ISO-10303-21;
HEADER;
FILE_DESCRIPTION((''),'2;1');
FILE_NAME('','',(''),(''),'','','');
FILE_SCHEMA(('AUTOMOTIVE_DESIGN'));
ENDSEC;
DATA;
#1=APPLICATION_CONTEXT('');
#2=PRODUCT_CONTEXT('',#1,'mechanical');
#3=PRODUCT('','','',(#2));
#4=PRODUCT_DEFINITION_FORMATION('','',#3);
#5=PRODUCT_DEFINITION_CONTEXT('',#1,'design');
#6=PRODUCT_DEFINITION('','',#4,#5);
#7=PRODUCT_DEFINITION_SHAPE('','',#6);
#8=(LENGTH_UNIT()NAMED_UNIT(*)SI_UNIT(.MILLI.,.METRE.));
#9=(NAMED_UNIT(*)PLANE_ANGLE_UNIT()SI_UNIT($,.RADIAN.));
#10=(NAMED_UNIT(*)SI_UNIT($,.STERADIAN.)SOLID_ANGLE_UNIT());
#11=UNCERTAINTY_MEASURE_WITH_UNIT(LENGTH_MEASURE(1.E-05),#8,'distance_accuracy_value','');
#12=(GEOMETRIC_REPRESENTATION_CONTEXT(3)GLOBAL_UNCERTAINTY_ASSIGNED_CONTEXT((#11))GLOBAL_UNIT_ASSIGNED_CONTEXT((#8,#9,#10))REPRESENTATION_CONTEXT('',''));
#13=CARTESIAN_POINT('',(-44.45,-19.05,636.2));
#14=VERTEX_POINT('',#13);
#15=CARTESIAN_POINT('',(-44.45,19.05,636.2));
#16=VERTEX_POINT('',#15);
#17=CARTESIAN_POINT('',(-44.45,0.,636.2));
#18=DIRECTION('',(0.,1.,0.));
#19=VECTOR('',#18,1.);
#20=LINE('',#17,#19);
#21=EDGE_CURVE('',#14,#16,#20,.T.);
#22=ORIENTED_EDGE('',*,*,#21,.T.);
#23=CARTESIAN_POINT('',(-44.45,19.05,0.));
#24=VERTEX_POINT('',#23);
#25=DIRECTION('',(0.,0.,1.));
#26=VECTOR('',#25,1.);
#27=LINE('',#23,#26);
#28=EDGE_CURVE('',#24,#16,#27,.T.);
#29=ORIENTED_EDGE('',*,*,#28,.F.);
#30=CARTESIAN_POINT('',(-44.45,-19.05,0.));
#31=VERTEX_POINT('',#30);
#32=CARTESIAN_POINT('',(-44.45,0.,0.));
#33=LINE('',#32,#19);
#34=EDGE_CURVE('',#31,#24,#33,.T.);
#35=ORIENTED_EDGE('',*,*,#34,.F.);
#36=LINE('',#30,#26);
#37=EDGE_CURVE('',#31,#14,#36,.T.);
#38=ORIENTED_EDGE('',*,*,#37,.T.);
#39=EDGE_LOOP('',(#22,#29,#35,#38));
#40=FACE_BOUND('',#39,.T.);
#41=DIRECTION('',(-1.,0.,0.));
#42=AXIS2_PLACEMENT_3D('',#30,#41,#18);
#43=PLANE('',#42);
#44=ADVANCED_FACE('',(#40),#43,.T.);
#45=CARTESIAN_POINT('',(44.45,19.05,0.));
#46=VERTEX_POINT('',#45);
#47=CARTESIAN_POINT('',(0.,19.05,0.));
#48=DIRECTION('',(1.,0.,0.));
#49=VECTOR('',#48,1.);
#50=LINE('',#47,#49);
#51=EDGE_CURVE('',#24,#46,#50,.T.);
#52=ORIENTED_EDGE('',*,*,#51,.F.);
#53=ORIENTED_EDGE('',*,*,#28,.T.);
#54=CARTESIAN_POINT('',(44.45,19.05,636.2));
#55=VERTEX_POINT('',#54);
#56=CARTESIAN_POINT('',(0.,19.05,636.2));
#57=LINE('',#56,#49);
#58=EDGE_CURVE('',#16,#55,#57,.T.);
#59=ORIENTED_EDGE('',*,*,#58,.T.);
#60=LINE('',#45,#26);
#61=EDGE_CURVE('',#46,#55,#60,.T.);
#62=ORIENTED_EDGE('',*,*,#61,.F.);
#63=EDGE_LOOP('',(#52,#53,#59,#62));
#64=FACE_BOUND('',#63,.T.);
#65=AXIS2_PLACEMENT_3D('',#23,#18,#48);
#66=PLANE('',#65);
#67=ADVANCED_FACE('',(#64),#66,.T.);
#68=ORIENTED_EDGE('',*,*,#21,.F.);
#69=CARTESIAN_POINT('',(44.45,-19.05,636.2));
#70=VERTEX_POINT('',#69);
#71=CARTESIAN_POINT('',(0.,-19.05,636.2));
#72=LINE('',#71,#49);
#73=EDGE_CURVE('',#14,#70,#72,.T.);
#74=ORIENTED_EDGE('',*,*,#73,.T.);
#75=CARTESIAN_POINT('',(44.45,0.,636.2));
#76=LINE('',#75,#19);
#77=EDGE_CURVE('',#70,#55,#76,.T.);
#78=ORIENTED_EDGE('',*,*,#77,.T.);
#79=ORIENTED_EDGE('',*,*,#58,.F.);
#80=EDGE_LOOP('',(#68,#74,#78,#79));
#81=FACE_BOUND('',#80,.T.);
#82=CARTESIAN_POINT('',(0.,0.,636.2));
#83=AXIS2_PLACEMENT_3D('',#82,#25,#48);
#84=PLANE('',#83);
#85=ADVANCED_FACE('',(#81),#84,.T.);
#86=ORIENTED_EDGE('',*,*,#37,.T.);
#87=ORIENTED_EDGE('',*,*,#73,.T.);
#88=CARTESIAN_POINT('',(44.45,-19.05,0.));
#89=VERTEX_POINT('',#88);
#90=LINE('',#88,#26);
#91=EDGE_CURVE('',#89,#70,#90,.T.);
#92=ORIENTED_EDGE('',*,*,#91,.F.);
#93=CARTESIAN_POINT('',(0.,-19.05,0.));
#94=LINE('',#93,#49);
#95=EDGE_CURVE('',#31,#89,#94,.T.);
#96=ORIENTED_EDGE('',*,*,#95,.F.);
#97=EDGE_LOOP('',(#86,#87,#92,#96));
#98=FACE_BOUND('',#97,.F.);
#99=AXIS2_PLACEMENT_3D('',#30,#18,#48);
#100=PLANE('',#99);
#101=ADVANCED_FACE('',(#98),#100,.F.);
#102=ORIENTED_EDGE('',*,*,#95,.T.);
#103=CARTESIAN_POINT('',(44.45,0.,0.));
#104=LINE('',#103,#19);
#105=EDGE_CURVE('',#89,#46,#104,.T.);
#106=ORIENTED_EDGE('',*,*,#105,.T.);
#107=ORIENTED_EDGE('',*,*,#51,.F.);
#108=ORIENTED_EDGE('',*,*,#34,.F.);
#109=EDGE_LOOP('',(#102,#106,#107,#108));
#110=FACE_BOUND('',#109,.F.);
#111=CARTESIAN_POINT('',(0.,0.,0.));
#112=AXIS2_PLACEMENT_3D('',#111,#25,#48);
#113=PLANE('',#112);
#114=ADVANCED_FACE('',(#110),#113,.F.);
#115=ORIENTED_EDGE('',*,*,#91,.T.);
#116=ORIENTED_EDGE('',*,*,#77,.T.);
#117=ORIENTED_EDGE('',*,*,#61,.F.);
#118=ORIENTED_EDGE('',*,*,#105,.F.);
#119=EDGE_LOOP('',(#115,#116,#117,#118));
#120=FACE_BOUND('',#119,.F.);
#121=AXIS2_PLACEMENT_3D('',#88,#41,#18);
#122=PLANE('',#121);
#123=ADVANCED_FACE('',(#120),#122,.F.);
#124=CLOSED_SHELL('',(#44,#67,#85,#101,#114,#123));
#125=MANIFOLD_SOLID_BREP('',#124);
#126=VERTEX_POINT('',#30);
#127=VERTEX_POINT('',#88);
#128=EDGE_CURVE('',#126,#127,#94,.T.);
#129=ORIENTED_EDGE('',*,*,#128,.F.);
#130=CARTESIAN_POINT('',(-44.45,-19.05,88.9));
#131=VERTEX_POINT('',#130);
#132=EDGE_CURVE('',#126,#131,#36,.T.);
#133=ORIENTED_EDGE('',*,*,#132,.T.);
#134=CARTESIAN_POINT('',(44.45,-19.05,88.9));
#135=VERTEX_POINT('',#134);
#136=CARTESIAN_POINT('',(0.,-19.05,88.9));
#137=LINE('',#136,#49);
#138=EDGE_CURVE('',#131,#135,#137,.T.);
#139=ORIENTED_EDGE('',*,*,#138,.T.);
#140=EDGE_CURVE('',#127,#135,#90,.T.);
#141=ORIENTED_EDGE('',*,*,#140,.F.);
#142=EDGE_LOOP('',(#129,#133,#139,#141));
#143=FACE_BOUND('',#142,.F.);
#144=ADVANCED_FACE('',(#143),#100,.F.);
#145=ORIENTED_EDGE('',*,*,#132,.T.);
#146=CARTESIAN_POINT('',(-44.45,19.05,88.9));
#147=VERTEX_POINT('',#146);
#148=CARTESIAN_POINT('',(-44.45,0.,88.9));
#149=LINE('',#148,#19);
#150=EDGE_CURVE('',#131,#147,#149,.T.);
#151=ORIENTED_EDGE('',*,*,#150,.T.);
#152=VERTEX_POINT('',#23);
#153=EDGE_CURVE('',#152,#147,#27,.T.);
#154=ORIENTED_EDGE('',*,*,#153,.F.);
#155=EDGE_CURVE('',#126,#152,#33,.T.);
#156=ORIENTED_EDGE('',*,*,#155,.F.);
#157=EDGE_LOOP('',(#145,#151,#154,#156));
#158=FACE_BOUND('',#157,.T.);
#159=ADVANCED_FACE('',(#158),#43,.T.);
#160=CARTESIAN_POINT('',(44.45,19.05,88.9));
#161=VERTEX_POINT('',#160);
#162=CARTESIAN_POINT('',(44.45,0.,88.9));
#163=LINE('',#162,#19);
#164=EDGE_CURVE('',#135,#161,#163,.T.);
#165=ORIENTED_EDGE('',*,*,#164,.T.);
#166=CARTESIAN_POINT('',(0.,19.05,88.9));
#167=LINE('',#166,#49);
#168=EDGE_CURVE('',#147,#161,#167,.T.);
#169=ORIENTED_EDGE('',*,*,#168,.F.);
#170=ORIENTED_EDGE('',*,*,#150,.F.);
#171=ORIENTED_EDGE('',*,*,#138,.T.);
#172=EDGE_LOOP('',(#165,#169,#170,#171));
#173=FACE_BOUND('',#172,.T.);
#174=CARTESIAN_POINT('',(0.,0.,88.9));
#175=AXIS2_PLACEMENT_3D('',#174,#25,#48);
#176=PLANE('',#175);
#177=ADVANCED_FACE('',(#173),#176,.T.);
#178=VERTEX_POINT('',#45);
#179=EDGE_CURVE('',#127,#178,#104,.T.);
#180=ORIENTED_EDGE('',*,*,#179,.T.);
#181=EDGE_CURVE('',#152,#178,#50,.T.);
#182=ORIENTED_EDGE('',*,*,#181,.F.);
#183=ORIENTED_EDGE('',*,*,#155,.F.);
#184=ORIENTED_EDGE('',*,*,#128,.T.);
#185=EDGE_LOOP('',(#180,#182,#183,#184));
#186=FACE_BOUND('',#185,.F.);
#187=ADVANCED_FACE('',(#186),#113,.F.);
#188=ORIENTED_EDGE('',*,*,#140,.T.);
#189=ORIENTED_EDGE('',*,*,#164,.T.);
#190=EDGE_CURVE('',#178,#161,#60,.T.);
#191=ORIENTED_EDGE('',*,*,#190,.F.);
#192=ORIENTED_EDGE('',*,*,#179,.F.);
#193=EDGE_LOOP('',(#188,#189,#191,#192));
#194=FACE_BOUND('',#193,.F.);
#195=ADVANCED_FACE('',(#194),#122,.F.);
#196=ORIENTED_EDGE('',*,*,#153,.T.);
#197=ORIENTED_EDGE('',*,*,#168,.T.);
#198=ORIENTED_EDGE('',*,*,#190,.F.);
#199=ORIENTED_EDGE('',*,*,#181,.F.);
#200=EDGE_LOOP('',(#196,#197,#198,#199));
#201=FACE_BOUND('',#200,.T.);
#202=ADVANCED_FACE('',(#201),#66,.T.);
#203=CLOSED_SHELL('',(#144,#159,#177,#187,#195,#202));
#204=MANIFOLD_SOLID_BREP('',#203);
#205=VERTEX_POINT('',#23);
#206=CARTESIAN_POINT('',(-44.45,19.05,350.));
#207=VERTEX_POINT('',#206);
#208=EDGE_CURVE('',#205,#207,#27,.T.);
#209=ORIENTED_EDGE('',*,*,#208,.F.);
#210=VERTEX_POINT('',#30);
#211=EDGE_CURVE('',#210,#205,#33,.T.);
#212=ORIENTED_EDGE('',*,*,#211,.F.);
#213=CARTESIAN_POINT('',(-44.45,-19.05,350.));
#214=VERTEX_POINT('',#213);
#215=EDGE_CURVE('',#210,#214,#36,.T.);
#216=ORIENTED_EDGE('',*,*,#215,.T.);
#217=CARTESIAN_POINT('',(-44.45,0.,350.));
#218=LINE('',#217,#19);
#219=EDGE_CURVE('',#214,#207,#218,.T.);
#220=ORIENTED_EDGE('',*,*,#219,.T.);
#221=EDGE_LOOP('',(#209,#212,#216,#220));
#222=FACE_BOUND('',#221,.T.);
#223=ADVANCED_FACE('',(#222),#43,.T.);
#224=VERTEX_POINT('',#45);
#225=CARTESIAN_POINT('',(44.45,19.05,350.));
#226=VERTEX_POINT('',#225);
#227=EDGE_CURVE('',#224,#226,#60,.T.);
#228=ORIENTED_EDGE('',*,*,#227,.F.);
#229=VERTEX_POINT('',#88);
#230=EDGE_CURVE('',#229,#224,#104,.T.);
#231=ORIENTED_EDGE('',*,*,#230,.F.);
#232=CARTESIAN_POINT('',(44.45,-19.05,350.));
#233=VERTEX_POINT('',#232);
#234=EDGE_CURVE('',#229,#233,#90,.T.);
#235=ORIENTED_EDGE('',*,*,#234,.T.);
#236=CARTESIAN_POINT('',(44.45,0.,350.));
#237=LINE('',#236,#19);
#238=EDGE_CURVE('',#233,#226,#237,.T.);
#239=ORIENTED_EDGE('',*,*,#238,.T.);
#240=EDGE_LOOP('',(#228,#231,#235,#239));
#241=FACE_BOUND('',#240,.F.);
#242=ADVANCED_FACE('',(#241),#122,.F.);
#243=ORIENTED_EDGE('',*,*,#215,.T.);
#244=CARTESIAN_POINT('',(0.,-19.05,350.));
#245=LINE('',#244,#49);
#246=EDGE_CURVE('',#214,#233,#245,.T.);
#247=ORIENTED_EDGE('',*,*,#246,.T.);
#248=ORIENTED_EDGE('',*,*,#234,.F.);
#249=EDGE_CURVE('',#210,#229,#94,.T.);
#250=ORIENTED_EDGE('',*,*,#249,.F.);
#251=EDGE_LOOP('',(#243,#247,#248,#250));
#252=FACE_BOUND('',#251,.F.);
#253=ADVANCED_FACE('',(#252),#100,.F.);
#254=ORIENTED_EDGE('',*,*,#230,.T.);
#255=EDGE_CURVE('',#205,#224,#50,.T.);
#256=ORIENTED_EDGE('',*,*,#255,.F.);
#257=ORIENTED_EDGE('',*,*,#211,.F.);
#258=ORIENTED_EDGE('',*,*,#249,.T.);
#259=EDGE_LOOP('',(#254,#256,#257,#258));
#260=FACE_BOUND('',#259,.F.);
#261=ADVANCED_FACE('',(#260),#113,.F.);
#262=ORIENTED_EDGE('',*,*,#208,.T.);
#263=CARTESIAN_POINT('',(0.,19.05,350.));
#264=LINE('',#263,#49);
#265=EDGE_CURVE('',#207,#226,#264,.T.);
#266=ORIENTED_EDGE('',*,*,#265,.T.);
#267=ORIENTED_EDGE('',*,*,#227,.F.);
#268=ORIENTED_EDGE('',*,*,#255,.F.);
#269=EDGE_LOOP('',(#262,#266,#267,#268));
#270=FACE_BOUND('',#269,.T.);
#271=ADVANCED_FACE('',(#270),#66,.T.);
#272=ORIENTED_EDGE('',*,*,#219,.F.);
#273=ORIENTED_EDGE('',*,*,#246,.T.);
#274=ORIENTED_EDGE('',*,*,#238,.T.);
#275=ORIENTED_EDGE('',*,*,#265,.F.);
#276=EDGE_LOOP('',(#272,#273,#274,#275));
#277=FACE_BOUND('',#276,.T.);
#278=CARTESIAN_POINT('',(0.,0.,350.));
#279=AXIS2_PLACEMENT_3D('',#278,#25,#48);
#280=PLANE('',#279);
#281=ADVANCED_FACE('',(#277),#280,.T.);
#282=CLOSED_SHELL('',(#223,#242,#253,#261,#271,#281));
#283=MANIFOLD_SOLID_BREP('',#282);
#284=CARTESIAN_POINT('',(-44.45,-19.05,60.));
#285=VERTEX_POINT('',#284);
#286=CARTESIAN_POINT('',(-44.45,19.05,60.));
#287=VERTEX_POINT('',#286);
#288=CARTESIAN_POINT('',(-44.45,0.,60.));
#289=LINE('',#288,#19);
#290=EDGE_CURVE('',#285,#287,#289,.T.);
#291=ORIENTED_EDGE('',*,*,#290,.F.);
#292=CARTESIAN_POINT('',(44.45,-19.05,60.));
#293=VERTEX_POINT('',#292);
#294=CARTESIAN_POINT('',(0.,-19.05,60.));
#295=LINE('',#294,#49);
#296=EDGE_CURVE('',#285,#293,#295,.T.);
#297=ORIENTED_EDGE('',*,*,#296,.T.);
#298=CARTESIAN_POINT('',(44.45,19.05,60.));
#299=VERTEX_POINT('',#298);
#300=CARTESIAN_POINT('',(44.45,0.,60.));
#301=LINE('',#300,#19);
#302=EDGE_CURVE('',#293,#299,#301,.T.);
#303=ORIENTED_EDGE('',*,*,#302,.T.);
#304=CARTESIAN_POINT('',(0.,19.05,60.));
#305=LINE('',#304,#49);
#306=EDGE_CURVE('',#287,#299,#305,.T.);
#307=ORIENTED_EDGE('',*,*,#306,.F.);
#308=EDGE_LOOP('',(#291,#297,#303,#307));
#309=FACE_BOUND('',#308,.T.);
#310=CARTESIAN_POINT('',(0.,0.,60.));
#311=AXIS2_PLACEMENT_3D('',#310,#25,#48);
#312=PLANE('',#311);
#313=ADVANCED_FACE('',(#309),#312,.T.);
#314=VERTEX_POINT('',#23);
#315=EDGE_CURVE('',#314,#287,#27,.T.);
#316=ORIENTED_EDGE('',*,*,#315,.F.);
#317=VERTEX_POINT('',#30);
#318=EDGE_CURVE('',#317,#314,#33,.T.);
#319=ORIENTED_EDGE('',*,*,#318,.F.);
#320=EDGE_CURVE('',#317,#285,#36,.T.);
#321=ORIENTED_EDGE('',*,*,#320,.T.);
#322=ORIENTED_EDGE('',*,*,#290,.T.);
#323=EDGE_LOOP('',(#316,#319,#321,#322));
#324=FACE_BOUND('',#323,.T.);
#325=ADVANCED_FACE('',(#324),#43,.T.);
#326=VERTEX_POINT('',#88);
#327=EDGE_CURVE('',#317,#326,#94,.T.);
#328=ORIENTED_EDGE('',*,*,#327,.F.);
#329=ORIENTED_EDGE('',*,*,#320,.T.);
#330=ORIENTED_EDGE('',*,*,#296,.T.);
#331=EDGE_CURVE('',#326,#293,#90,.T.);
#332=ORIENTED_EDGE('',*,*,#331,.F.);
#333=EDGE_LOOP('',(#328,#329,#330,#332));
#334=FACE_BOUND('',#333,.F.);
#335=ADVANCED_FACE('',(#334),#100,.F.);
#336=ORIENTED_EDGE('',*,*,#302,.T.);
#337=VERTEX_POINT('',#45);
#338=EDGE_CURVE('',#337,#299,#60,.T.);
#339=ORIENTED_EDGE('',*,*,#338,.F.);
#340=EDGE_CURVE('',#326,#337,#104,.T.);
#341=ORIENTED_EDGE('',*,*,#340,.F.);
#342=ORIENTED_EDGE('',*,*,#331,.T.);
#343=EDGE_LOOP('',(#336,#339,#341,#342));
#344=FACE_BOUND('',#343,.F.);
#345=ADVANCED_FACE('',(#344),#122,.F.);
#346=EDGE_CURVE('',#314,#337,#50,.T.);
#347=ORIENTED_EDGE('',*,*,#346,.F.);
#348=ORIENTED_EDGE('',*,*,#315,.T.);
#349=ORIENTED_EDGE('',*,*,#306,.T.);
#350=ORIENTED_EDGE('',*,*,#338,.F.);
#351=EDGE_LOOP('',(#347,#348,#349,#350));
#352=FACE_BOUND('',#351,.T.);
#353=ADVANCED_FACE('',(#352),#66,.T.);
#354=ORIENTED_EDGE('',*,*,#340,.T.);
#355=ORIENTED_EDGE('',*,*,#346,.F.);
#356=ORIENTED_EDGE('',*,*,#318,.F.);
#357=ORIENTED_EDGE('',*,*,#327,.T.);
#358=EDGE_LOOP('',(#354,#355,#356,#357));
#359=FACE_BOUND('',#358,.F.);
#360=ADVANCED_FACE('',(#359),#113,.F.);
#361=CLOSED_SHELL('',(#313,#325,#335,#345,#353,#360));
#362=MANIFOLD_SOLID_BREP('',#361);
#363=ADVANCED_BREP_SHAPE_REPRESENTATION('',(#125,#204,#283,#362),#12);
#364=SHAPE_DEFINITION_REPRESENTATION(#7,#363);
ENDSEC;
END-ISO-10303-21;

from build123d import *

# Parameters (mm, degrees)
F0_W     = 88.9
F0_H     = 38.1
F1_DEPTH = 350
F2_DEPTH = 636.2
F3_DEPTH = 88.9
F4_DEPTH = 60


with BuildPart() as f1:
    # F0 (on Top) → F1 (new body)
    with BuildSketch(Plane.XY):
        Rectangle(F0_W, F0_H)
    extrude(amount=F1_DEPTH)


with BuildPart() as f2:
    # F0 (on Top) → F2 (new body)
    with BuildSketch(Plane.XY):
        Rectangle(F0_W, F0_H)
    extrude(amount=F2_DEPTH)


with BuildPart() as f3:
    # F0 (on Top) → F3 (new body)
    with BuildSketch(Plane.XY):
        Rectangle(F0_W, F0_H)
    extrude(amount=F3_DEPTH)


with BuildPart() as f4:
    # F0 (on Top) → F4 (new body)
    with BuildSketch(Plane.XY):
        Rectangle(F0_W, F0_H)
    extrude(amount=F4_DEPTH)


solid = Compound([f1.part, f2.part, f3.part, f4.part])
